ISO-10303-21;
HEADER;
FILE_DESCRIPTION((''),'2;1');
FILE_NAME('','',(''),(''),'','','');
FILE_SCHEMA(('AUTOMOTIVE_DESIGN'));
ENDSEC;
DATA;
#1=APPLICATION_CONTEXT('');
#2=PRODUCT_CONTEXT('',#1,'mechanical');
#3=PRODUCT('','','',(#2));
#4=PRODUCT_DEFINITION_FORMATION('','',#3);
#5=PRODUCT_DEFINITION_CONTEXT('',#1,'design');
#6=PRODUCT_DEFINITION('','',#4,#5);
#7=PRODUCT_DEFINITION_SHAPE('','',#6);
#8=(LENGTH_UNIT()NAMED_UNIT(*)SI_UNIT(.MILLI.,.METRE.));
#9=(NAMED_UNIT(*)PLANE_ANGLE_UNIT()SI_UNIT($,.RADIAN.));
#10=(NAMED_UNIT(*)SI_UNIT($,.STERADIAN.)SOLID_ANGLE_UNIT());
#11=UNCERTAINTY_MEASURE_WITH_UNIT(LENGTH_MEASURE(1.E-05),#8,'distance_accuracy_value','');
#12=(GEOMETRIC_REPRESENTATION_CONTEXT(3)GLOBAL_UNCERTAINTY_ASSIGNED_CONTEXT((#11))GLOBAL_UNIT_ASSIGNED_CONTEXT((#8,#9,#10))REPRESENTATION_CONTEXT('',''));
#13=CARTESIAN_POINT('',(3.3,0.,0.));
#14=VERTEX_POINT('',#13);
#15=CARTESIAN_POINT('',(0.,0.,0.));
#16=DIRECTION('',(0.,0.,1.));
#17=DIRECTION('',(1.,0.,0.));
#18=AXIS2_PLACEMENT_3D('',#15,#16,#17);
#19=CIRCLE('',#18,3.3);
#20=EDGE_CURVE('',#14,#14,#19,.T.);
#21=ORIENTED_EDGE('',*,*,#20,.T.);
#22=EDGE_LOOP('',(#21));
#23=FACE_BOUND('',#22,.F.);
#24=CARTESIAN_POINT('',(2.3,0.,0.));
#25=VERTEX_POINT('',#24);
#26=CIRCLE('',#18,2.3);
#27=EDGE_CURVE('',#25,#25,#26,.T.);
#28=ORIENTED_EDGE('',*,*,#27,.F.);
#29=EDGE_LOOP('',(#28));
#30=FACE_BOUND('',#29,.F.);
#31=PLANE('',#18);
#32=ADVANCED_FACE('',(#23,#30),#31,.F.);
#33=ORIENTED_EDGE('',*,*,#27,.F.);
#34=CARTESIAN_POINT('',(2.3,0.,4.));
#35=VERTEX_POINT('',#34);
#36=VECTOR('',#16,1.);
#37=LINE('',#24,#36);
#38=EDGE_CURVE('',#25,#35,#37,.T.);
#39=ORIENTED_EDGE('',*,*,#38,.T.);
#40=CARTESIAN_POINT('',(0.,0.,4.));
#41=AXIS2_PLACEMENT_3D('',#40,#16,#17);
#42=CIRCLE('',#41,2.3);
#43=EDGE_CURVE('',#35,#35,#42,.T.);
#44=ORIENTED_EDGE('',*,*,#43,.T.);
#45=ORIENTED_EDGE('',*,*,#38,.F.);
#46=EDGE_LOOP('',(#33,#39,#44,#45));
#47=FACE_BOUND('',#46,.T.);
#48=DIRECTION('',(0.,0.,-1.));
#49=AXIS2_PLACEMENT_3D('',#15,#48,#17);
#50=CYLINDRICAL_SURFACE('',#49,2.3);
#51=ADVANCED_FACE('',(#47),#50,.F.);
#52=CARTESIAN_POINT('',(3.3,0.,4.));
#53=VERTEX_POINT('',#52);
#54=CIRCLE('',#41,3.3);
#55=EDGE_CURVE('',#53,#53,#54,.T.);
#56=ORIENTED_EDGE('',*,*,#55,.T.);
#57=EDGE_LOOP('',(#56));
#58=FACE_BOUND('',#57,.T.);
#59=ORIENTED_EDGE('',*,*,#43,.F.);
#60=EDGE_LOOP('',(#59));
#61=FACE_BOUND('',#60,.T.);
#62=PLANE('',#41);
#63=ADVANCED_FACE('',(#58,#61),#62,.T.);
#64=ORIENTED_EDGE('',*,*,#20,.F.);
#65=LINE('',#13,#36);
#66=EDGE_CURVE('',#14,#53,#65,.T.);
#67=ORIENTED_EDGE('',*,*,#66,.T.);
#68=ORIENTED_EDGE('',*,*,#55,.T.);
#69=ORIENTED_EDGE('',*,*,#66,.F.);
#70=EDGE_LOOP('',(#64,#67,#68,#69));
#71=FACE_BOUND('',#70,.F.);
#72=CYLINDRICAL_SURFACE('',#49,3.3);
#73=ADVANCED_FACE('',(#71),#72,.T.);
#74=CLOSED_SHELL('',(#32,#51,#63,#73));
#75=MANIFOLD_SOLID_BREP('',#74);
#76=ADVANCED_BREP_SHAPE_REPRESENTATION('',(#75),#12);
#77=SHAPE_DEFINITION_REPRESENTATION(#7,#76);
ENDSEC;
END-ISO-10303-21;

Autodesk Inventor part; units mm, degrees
ref_plane "YZ Plane" through (0, 0, 0) normal (1, 0, 0) x (0, 1, 0)
ref_plane "XZ Plane" through (0, 0, 0) normal (0, 1, 0) x (-1, 0, 0)
ref_plane "XY Plane" through (0, 0, 0) normal (0, 0, 1) x (1, 0, 0)
sketch "Skizze1" plane through (0, 0, 0) normal (0, 0, 1) x (1, 0, 0)
  circle A0 centre (0, 0) radius 2.3
  circle A1 centre (0, 0) radius 3.3
  dimension "d0" = 4.6
  dimension "d1" = 1
extrude "Extrusion1" add sketch "Skizze1" along normal blind 4
properties part number "OmniWheelSleeve2"
